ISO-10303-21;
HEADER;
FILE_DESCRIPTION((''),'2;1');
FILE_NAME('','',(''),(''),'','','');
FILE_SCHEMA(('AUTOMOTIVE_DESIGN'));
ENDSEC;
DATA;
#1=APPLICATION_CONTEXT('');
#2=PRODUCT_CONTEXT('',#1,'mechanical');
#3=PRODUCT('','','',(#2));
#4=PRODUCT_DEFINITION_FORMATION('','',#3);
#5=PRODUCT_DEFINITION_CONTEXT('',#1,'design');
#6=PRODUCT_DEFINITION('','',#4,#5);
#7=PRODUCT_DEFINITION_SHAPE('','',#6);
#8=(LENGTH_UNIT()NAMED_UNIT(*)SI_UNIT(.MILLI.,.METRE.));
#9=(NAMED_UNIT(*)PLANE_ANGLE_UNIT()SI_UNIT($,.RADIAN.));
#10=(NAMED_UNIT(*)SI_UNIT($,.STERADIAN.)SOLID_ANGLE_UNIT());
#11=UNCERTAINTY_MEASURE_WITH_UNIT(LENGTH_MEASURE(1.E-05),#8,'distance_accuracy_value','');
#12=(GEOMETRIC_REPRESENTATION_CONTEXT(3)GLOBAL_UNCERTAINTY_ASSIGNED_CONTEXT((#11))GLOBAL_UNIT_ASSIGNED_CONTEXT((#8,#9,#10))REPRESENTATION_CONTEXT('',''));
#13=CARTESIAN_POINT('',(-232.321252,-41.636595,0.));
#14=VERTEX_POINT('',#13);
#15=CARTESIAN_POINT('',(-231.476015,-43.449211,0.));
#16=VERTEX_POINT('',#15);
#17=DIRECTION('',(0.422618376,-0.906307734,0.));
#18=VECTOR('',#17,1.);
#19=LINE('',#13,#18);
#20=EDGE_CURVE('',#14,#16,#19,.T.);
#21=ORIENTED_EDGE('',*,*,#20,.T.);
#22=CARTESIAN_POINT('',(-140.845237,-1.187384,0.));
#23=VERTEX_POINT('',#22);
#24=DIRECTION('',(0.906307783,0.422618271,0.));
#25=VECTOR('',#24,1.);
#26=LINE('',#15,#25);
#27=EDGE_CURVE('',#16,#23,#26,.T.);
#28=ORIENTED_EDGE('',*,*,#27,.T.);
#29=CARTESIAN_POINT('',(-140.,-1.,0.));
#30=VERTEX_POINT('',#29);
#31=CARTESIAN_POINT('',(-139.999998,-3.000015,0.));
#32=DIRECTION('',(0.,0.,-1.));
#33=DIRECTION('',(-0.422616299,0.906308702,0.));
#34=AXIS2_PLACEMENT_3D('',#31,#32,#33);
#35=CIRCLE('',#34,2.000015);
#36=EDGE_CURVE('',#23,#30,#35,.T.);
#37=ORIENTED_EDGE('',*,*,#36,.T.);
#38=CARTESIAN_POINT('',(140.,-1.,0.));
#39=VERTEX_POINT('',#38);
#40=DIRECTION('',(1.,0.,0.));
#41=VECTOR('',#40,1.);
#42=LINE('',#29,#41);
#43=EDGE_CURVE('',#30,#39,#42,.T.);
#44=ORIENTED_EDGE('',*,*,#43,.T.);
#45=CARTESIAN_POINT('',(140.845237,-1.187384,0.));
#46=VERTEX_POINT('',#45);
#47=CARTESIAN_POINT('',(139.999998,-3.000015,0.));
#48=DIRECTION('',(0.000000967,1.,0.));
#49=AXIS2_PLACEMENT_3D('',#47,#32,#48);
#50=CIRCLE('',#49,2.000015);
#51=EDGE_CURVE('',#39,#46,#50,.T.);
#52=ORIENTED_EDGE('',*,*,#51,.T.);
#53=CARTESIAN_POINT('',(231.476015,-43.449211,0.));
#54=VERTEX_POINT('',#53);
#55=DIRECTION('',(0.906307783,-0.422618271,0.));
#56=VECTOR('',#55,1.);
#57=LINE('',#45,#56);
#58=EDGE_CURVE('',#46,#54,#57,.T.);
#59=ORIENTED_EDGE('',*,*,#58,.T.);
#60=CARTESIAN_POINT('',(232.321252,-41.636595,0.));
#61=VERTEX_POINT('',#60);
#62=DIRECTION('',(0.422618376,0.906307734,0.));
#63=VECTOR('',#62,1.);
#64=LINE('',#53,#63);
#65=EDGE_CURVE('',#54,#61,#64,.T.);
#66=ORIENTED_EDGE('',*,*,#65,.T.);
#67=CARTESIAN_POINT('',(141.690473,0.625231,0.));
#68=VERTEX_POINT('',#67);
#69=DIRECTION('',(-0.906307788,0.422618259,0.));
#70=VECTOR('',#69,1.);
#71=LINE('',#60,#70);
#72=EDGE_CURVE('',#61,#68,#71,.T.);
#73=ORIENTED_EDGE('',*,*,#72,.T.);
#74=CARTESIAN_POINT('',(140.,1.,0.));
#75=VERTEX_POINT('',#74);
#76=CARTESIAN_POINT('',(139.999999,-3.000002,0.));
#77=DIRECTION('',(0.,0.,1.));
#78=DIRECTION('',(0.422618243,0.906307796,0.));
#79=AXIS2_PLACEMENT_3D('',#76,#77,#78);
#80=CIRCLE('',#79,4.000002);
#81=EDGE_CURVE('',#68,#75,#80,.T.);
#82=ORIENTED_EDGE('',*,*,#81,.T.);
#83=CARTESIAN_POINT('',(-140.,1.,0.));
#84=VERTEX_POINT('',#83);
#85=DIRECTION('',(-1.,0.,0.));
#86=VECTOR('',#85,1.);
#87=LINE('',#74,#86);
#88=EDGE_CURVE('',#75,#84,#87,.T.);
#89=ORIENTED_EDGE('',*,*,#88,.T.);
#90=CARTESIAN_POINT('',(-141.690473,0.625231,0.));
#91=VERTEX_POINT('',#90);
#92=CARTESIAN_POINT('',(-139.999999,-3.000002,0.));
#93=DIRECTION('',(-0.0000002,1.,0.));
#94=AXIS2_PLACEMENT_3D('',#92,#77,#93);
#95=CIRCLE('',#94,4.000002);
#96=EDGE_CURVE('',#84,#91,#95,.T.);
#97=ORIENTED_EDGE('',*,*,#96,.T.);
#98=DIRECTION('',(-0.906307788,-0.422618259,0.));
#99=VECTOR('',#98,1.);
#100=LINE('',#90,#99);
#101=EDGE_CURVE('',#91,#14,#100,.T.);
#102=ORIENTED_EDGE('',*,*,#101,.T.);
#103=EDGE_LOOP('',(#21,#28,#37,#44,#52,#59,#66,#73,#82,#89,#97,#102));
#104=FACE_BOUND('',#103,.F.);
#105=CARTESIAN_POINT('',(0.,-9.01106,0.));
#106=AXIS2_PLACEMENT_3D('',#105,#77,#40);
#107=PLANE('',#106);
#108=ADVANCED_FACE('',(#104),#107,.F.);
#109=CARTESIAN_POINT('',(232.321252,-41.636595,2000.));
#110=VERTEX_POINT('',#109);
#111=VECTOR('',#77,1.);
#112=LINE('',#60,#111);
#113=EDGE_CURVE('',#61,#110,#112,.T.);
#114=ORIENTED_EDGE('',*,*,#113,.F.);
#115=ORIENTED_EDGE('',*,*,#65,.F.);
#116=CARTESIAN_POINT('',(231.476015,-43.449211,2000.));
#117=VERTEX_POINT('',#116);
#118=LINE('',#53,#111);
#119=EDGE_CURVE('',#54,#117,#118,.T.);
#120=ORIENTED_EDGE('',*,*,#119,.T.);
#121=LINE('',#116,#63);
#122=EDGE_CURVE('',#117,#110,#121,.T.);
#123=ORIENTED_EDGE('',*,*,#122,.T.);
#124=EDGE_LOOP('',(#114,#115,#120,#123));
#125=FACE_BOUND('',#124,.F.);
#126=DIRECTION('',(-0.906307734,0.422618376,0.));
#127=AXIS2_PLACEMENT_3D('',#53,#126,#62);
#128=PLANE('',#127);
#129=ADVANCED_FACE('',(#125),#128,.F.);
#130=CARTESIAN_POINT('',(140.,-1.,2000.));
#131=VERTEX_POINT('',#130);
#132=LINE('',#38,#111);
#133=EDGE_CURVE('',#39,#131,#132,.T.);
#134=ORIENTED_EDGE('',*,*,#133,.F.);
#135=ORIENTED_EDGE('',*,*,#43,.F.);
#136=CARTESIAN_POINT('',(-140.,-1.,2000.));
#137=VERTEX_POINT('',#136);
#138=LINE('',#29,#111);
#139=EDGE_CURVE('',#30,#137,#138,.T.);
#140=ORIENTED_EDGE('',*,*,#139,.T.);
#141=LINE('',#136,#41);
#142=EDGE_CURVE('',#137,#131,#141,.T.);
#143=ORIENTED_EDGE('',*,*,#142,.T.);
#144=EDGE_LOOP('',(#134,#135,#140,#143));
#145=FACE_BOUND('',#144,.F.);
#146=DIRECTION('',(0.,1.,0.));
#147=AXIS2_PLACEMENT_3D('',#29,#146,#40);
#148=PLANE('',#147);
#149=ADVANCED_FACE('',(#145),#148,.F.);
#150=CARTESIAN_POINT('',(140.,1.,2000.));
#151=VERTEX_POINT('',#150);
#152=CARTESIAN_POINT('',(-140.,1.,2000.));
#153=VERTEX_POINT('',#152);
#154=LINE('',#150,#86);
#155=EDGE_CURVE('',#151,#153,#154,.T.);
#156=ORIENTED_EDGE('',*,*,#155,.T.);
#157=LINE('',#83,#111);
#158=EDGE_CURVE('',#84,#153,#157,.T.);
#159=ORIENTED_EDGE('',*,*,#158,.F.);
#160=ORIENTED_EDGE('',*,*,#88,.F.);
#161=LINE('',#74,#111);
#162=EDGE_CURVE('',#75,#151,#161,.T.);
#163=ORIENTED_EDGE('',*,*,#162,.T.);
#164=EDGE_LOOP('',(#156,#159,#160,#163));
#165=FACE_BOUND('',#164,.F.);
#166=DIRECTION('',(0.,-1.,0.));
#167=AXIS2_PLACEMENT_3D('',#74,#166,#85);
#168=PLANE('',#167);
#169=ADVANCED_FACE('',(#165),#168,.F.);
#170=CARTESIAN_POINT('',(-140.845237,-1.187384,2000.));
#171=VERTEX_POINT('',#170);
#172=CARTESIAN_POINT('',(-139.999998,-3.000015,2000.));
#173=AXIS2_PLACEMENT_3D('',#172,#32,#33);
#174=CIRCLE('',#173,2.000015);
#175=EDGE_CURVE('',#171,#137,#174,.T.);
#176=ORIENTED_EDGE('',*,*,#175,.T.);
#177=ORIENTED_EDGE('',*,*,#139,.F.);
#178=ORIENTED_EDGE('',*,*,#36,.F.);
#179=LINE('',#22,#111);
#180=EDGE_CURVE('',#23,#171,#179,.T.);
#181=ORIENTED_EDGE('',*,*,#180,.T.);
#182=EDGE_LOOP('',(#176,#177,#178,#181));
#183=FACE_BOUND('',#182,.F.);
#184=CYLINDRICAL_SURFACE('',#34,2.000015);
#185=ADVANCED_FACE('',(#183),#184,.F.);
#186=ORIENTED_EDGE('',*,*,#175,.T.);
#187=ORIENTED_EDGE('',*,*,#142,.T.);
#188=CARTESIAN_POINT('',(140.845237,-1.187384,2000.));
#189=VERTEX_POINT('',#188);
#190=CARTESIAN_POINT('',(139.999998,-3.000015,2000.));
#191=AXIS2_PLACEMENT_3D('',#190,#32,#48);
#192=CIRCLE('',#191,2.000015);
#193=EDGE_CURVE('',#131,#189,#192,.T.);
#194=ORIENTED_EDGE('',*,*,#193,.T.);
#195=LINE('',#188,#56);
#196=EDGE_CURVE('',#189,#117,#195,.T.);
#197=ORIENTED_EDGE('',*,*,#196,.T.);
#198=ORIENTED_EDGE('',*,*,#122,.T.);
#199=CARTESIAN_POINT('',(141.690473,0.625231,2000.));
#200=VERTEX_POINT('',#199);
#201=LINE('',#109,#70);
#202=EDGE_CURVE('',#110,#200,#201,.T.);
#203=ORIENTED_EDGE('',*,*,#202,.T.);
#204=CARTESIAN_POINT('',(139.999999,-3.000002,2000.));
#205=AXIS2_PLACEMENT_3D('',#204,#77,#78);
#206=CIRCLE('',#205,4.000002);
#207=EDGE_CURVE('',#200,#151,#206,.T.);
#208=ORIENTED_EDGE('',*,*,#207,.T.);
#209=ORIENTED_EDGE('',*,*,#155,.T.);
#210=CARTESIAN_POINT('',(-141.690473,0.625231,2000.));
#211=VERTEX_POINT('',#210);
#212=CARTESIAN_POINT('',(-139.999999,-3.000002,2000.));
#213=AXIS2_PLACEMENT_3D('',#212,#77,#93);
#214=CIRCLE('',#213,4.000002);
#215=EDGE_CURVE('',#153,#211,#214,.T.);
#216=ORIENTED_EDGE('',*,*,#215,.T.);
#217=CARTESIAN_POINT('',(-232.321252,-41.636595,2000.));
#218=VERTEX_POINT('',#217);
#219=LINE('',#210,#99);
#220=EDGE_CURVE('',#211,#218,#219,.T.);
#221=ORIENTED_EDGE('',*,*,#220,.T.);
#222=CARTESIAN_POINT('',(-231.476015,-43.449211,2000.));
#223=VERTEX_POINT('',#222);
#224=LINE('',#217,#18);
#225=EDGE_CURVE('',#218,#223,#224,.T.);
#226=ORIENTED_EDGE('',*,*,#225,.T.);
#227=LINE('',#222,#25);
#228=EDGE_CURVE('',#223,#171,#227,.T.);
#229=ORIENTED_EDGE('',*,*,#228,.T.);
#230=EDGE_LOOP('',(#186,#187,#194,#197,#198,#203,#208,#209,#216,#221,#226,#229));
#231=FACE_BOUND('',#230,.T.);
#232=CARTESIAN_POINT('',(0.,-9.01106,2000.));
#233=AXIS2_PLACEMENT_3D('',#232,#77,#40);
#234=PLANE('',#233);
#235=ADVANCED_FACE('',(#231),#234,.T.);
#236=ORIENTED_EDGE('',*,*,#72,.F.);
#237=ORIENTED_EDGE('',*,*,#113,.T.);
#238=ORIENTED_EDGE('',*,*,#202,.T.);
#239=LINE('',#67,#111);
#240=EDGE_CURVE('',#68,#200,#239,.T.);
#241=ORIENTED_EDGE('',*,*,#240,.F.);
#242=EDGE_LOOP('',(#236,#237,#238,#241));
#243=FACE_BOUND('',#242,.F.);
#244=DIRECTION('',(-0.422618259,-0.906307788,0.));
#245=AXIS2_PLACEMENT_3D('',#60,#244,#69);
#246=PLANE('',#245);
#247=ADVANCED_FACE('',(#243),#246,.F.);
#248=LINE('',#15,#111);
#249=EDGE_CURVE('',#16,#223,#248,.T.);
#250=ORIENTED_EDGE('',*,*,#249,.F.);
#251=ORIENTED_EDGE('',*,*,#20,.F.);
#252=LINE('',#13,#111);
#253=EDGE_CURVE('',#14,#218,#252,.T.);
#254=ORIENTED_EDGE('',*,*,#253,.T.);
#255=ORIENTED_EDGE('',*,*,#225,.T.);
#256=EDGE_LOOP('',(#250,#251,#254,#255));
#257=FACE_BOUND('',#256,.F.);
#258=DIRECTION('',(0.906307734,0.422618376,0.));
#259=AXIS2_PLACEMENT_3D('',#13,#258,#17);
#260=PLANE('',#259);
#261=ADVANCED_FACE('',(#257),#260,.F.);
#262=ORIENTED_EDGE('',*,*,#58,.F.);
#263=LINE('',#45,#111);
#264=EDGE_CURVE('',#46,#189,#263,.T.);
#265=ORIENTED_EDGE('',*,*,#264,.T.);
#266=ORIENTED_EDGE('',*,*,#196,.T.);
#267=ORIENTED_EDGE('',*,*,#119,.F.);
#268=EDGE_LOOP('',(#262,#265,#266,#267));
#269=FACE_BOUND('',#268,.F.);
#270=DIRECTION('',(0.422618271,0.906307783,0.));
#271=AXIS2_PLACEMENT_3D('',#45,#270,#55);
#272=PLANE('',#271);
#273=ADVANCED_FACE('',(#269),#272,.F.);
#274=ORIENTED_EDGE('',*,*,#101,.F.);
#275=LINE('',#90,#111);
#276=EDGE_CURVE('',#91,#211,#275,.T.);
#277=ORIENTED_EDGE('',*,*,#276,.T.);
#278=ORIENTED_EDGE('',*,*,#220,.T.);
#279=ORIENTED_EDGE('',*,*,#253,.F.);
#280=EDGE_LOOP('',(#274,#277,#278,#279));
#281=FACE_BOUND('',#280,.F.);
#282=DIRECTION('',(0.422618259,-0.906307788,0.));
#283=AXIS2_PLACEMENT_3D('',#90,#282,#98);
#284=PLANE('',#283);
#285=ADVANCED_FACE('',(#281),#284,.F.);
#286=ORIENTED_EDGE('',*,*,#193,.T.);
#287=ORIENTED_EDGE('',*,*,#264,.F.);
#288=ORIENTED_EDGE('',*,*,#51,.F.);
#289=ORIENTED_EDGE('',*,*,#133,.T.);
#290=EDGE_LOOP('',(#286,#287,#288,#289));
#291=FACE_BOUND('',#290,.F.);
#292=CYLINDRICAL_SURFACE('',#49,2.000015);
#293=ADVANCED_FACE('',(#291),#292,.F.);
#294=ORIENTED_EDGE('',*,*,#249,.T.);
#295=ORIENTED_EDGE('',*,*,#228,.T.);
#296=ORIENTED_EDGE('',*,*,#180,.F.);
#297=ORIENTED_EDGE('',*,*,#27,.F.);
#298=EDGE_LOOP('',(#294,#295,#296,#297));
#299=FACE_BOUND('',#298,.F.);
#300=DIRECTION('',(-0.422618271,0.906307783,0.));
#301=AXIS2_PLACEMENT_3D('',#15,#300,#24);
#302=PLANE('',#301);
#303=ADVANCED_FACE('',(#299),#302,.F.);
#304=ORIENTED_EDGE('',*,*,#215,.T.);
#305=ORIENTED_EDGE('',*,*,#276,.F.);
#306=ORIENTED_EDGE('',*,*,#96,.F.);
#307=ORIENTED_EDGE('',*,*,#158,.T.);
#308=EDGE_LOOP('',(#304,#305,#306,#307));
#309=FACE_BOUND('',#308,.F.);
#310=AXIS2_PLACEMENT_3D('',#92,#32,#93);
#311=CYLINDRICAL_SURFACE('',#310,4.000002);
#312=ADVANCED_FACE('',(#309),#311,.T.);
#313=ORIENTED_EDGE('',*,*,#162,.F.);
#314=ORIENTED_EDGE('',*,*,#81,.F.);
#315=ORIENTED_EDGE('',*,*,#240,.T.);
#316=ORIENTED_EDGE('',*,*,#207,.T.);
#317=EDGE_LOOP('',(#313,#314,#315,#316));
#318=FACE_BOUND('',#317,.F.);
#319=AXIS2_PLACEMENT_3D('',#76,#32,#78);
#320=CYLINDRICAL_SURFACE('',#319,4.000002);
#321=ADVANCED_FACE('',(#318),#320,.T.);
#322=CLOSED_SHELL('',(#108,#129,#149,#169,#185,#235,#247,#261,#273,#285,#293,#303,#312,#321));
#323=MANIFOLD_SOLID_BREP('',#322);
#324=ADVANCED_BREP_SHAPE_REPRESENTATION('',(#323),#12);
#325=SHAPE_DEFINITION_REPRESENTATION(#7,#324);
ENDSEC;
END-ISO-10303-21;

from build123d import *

# Parameters (mm, degrees)
F1_DEPTH = 2000


with BuildPart() as f1:
    # F0 (on Top) → F1 (new body)
    with BuildSketch(Plane.XY):
        with BuildLine():
            Line((140, 1), (0, 1))
            Line((0, 1), (-140, 1))
            ThreePointArc((-140, 1), (-140.865758, 0.905184), (-141.690473, 0.625231))
            Line((-141.690473, 0.625231), (-232.321252, -41.636595))
            Line((-232.321252, -41.636595), (-231.476015, -43.449211))
            Line((-231.476015, -43.449211), (-140.845237, -1.187384))
            ThreePointArc((-140.845237, -1.187384), (-140.432879, -1.047408), (-140, -1))
            Line((-140, -1), (0, -1))
            Line((0, -1), (140, -1))
            ThreePointArc((140, -1), (140.432879, -1.047408), (140.845237, -1.187384))
            Line((140.845237, -1.187384), (231.476015, -43.449211))
            Line((231.476015, -43.449211), (232.321252, -41.636595))
            Line((232.321252, -41.636595), (141.690473, 0.625231))
            ThreePointArc((141.690473, 0.625231), (140.865758, 0.905184), (140, 1))
        make_face()
    extrude(amount=F1_DEPTH)


solid = f1.part
